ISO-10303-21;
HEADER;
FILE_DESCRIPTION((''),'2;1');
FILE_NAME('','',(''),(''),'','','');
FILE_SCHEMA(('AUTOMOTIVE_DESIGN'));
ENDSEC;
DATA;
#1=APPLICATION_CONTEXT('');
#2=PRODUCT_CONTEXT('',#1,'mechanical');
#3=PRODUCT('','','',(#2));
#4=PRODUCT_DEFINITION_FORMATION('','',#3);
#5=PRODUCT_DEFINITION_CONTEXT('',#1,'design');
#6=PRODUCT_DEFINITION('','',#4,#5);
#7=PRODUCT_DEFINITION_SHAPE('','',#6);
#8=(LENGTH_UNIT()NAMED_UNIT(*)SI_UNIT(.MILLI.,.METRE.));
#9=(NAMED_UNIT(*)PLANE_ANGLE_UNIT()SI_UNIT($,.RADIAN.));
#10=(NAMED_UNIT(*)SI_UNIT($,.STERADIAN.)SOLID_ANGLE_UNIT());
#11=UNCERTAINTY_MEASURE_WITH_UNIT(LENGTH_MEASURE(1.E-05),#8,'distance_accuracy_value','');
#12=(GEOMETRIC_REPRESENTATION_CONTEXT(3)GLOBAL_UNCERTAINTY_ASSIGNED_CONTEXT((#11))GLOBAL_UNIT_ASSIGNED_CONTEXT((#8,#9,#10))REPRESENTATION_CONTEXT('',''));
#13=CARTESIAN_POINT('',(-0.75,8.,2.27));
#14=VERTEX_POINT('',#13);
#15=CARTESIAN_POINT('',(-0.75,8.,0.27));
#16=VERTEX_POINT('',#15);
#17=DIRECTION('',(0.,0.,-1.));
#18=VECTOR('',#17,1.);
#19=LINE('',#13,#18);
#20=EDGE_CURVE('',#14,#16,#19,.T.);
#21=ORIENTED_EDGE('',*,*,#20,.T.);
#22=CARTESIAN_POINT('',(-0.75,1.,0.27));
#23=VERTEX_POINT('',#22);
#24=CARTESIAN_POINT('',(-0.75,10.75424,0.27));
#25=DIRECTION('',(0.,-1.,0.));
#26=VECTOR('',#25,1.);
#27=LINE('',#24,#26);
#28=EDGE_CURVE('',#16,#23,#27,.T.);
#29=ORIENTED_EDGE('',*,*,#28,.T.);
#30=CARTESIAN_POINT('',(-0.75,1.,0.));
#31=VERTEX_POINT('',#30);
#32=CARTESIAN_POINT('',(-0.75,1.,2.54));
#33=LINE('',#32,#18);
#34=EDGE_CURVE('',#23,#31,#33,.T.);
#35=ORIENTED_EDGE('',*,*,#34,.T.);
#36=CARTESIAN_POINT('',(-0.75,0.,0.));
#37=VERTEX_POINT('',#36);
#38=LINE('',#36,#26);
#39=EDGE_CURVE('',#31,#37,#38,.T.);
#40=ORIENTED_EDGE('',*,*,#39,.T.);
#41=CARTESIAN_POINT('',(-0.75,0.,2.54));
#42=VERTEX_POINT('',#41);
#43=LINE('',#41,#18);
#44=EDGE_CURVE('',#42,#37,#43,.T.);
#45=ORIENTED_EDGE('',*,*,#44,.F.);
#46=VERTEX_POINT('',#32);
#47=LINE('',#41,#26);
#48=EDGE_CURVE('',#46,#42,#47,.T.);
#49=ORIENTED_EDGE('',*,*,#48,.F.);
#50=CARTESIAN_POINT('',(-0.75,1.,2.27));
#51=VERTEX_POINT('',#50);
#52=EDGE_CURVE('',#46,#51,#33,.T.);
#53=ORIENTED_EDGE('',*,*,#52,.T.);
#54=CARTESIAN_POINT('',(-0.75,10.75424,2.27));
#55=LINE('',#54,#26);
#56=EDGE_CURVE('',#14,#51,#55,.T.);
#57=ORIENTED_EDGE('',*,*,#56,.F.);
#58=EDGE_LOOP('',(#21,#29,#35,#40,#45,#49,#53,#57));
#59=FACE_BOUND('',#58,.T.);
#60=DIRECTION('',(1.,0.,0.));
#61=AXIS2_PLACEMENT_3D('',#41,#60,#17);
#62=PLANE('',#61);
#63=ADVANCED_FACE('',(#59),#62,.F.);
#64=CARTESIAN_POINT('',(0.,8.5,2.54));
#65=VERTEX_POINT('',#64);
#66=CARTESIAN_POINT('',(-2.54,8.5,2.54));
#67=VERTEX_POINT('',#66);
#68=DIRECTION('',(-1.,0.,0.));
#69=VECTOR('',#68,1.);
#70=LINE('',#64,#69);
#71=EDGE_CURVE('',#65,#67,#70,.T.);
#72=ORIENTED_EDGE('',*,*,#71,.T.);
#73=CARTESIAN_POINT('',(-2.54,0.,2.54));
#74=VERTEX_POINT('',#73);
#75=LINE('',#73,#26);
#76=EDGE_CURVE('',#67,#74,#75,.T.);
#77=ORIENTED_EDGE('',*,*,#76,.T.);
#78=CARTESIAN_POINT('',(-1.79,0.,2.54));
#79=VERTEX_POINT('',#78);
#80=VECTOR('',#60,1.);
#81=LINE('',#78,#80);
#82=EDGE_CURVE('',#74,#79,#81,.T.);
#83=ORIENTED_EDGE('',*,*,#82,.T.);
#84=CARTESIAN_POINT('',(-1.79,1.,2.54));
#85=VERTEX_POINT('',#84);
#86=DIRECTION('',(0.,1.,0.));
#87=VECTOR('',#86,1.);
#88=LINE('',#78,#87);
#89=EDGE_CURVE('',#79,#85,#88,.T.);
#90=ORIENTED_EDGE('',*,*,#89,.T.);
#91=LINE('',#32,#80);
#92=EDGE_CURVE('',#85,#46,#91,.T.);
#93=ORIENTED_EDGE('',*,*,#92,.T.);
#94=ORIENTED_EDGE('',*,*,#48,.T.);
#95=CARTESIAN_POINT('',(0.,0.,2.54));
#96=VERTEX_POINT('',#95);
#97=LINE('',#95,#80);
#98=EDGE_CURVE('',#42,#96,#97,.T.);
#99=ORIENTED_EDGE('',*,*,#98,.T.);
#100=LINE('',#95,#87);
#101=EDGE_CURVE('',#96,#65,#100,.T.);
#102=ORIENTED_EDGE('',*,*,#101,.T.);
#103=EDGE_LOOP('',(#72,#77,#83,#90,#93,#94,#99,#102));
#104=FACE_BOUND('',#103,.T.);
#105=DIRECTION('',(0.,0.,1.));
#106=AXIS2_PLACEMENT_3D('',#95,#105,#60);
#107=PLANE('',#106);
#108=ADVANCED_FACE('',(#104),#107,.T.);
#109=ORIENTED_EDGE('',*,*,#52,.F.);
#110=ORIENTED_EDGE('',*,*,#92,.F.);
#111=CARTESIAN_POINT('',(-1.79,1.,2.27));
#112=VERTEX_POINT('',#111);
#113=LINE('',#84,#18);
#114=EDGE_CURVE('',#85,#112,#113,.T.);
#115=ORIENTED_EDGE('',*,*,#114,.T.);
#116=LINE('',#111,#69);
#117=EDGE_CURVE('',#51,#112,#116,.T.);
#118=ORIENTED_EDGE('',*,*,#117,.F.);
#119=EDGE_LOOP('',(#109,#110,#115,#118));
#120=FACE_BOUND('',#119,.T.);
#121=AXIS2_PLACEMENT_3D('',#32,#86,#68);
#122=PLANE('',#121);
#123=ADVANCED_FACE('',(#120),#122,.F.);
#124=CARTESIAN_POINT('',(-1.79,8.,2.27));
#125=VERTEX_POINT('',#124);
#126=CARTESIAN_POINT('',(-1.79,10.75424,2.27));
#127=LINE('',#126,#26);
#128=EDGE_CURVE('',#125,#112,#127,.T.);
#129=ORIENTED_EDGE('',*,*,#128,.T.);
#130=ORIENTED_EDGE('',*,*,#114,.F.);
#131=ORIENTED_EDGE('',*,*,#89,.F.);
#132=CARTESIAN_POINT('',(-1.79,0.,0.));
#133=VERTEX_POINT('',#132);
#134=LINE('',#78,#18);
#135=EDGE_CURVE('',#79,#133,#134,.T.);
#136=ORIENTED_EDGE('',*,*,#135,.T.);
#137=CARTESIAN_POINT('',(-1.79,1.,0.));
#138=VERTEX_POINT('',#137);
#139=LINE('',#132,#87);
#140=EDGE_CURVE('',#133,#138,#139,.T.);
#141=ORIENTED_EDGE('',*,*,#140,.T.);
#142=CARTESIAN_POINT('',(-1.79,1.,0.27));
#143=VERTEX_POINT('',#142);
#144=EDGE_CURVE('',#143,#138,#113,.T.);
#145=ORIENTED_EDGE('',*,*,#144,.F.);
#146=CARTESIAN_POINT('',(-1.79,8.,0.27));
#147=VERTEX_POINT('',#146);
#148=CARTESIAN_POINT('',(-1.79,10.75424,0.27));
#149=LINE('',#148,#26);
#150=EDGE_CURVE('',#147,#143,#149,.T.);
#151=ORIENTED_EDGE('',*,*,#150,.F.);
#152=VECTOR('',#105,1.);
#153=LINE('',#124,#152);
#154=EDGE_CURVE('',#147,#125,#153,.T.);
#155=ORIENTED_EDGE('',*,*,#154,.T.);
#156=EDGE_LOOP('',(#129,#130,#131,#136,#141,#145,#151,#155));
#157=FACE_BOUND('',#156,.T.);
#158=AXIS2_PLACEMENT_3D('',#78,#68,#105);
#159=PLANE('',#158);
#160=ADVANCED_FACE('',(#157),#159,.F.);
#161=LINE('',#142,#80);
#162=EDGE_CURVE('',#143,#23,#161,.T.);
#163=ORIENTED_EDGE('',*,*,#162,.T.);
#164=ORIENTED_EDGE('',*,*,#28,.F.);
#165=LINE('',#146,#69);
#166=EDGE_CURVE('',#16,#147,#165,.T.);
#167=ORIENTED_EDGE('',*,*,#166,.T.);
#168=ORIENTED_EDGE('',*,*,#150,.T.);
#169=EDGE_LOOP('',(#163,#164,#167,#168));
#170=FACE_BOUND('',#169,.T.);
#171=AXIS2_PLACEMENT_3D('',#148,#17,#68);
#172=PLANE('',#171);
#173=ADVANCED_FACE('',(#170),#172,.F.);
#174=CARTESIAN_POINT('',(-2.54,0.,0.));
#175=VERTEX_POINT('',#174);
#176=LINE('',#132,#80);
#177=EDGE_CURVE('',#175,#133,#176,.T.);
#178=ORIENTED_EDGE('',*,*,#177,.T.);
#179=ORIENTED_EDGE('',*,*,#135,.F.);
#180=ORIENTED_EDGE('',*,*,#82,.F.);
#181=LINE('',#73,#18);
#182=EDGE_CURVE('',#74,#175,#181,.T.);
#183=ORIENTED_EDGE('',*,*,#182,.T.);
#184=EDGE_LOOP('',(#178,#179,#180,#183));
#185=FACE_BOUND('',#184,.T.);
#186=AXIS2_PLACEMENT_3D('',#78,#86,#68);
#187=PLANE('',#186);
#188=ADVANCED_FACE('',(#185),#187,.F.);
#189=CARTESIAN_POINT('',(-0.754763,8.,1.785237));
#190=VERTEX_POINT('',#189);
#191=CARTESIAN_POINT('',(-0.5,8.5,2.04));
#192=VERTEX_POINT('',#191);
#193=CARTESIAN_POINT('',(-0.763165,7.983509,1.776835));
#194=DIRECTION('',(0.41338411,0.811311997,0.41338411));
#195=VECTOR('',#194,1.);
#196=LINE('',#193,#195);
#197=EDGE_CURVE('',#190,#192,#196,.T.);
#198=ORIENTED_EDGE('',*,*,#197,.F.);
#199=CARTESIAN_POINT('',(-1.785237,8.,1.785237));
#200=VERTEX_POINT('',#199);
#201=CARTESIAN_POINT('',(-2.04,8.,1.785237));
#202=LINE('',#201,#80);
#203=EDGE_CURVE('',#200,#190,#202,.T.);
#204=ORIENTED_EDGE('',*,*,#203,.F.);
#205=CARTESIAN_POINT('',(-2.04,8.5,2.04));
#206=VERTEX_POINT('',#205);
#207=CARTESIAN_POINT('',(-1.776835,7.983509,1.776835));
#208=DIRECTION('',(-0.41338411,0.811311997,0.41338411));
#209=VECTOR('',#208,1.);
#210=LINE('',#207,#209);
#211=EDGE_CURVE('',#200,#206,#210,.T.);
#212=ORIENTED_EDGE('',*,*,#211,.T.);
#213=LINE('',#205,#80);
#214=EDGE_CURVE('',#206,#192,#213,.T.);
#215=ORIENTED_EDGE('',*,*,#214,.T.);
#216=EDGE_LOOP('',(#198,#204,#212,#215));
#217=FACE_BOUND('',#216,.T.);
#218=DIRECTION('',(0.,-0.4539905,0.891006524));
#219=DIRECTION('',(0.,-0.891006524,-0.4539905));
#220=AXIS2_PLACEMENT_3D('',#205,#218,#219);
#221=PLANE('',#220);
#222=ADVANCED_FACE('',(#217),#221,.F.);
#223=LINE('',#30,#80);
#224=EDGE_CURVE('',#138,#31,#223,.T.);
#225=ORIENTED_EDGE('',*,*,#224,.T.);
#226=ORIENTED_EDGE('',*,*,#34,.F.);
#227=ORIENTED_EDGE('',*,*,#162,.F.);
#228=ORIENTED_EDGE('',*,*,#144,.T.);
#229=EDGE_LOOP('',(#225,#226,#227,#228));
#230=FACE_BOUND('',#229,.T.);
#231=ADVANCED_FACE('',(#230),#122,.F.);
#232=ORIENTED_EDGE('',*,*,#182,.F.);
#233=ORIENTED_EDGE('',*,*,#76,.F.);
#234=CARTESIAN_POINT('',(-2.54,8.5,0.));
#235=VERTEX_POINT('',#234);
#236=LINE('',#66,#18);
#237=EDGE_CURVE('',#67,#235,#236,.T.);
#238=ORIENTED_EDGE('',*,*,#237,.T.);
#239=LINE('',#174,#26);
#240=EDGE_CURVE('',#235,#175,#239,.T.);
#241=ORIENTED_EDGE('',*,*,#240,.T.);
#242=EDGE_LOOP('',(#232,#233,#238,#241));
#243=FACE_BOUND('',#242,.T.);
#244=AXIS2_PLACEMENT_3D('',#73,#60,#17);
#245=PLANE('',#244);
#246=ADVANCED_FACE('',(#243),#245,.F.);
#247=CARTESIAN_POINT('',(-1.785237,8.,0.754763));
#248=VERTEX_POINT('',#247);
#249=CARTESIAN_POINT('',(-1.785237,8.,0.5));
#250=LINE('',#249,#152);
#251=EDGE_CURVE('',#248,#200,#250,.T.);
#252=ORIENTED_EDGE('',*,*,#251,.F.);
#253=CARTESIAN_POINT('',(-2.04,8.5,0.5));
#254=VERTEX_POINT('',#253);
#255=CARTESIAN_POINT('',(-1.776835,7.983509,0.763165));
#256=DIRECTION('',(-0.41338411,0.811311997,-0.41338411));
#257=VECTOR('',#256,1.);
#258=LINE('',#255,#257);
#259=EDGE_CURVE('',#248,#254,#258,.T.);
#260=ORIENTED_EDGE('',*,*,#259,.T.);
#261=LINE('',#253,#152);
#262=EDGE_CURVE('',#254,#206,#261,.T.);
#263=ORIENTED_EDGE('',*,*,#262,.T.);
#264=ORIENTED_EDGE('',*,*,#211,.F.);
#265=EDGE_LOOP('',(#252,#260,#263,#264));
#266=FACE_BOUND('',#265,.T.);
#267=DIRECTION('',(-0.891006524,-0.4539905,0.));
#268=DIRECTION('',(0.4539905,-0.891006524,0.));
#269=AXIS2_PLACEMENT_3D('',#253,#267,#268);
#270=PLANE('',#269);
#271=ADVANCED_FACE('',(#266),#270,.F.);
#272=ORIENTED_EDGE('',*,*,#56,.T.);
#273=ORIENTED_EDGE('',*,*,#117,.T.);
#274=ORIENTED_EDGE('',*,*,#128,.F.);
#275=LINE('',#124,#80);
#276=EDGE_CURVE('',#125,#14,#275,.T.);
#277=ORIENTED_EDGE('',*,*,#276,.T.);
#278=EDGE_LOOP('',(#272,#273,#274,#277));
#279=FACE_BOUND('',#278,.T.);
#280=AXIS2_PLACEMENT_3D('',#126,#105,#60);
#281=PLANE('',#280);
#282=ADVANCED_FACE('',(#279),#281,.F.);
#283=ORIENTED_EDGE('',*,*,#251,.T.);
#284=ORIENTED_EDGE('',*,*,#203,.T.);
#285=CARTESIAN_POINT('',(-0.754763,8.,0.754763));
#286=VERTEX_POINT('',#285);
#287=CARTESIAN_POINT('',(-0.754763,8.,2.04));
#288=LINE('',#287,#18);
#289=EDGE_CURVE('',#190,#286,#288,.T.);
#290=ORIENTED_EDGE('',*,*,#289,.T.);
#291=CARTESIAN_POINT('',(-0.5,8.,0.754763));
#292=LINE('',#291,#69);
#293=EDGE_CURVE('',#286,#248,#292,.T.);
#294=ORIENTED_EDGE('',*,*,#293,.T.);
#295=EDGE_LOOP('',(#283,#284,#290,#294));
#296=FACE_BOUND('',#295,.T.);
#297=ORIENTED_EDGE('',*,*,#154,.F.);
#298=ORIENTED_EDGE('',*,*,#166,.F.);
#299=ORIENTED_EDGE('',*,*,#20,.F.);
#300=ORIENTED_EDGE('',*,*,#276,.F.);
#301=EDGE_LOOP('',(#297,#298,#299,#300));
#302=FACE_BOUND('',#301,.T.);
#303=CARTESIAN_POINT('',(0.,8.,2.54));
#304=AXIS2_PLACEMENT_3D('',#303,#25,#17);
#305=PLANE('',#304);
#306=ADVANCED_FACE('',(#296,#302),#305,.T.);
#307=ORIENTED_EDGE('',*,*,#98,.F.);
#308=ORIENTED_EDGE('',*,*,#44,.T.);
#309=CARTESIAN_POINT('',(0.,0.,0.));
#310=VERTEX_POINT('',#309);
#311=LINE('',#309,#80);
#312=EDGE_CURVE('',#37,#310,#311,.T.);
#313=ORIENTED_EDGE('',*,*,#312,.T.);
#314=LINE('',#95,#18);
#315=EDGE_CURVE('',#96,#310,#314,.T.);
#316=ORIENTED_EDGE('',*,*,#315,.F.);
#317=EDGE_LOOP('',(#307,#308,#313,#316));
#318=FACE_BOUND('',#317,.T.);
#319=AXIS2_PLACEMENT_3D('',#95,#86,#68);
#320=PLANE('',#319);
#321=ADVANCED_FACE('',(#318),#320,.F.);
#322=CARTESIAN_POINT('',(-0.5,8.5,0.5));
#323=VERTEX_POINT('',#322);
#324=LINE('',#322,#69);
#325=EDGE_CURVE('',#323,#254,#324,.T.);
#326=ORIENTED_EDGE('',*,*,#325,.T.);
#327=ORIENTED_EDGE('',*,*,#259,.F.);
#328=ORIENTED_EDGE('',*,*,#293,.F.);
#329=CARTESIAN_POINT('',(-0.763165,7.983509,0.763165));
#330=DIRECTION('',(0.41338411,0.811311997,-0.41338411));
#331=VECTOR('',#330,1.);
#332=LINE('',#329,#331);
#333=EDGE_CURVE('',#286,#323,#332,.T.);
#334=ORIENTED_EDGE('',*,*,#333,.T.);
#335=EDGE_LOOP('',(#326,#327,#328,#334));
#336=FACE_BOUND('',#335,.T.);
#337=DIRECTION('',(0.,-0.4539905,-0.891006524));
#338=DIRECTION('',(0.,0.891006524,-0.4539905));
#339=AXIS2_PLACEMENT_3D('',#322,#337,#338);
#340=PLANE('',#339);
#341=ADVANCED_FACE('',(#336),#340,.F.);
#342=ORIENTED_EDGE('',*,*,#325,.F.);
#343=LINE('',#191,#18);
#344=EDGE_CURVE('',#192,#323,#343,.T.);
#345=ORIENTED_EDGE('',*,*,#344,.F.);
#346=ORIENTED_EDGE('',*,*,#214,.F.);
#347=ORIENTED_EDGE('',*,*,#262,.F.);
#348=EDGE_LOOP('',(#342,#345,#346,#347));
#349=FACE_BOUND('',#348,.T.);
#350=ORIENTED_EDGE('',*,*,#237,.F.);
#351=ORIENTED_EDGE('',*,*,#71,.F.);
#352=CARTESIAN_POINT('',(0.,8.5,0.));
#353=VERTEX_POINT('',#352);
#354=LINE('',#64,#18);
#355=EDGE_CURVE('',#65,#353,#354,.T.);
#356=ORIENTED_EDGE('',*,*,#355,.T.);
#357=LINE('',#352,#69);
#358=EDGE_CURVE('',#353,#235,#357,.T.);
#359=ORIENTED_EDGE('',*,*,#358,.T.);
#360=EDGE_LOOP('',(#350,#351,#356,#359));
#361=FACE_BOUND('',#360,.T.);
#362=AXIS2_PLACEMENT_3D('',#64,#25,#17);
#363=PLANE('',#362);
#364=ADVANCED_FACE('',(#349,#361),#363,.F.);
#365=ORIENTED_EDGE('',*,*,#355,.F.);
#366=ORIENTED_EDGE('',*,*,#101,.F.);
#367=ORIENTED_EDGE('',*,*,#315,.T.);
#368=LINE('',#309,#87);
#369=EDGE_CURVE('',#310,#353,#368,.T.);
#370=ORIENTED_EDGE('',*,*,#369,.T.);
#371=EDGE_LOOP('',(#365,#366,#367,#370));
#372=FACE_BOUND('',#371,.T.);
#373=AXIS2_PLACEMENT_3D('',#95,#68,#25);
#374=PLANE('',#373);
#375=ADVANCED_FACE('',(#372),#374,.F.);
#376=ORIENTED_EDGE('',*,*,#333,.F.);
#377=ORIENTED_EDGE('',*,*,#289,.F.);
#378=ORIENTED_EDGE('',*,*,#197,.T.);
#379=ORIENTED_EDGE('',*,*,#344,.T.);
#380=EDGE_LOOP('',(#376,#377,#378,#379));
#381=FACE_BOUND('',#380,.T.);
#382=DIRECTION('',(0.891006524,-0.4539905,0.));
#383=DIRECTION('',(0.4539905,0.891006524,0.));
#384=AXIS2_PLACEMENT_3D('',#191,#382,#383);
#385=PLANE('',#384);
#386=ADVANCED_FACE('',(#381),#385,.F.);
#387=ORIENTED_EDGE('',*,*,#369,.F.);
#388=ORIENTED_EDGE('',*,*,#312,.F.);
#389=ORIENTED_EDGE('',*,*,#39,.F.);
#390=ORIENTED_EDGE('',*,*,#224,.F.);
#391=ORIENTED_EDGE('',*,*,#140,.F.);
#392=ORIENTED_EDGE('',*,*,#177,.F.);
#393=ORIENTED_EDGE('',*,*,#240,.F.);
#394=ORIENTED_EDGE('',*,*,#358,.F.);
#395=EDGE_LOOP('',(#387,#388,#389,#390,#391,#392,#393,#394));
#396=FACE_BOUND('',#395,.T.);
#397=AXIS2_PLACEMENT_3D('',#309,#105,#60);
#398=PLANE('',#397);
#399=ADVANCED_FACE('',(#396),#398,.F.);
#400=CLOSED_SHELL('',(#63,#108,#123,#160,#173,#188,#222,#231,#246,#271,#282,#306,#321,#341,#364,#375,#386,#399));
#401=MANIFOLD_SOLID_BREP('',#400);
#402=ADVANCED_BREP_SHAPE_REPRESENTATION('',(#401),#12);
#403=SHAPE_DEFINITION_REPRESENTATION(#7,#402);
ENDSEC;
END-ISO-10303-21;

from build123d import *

# Parameters (mm, degrees)
BOSS_EXTRUDE1_DEPTH = 2.54
SKETCH2_W           = 1.04
SKETCH2_H           = 2
CUT_EXTRUDE1_DEPTH  = 7
SKETCH3_W           = 1.54
SKETCH3_H           = 1.54
CUT_EXTRUDE2_DEPTH  = 0.5
CUT_EXTRUDE2_TAPER  = 27


with BuildPart() as part:
    # Sketch1 → Boss-Extrude1 (new body)
    with BuildSketch(Plane.XY):
        Polygon((-1.79, 0), (-2.54, 0), (-2.54, 8.5), (0, 8.5), (0, 0), (-0.75, 0), (-0.75, 1), (-1.79, 1), align=None)
    extrude(amount=BOSS_EXTRUDE1_DEPTH)

    # Sketch2 → Cut-Extrude1 (cut)
    with BuildSketch(Plane.XZ.offset(-1)):
        with Locations((-1.27, 1.27)):
            Rectangle(SKETCH2_W, SKETCH2_H)
    extrude(amount=-CUT_EXTRUDE1_DEPTH, mode=Mode.SUBTRACT)

    # Sketch3 → Cut-Extrude2 (cut)
    with BuildSketch(Plane(origin=(0, 8.5, 0), x_dir=(1, 0, 0), z_dir=(0, 1, 0))):
        with Locations((-1.27, -1.27)):
            Rectangle(SKETCH3_W, SKETCH3_H)
    extrude(amount=-CUT_EXTRUDE2_DEPTH, taper=CUT_EXTRUDE2_TAPER, mode=Mode.SUBTRACT)


solid = part.part
